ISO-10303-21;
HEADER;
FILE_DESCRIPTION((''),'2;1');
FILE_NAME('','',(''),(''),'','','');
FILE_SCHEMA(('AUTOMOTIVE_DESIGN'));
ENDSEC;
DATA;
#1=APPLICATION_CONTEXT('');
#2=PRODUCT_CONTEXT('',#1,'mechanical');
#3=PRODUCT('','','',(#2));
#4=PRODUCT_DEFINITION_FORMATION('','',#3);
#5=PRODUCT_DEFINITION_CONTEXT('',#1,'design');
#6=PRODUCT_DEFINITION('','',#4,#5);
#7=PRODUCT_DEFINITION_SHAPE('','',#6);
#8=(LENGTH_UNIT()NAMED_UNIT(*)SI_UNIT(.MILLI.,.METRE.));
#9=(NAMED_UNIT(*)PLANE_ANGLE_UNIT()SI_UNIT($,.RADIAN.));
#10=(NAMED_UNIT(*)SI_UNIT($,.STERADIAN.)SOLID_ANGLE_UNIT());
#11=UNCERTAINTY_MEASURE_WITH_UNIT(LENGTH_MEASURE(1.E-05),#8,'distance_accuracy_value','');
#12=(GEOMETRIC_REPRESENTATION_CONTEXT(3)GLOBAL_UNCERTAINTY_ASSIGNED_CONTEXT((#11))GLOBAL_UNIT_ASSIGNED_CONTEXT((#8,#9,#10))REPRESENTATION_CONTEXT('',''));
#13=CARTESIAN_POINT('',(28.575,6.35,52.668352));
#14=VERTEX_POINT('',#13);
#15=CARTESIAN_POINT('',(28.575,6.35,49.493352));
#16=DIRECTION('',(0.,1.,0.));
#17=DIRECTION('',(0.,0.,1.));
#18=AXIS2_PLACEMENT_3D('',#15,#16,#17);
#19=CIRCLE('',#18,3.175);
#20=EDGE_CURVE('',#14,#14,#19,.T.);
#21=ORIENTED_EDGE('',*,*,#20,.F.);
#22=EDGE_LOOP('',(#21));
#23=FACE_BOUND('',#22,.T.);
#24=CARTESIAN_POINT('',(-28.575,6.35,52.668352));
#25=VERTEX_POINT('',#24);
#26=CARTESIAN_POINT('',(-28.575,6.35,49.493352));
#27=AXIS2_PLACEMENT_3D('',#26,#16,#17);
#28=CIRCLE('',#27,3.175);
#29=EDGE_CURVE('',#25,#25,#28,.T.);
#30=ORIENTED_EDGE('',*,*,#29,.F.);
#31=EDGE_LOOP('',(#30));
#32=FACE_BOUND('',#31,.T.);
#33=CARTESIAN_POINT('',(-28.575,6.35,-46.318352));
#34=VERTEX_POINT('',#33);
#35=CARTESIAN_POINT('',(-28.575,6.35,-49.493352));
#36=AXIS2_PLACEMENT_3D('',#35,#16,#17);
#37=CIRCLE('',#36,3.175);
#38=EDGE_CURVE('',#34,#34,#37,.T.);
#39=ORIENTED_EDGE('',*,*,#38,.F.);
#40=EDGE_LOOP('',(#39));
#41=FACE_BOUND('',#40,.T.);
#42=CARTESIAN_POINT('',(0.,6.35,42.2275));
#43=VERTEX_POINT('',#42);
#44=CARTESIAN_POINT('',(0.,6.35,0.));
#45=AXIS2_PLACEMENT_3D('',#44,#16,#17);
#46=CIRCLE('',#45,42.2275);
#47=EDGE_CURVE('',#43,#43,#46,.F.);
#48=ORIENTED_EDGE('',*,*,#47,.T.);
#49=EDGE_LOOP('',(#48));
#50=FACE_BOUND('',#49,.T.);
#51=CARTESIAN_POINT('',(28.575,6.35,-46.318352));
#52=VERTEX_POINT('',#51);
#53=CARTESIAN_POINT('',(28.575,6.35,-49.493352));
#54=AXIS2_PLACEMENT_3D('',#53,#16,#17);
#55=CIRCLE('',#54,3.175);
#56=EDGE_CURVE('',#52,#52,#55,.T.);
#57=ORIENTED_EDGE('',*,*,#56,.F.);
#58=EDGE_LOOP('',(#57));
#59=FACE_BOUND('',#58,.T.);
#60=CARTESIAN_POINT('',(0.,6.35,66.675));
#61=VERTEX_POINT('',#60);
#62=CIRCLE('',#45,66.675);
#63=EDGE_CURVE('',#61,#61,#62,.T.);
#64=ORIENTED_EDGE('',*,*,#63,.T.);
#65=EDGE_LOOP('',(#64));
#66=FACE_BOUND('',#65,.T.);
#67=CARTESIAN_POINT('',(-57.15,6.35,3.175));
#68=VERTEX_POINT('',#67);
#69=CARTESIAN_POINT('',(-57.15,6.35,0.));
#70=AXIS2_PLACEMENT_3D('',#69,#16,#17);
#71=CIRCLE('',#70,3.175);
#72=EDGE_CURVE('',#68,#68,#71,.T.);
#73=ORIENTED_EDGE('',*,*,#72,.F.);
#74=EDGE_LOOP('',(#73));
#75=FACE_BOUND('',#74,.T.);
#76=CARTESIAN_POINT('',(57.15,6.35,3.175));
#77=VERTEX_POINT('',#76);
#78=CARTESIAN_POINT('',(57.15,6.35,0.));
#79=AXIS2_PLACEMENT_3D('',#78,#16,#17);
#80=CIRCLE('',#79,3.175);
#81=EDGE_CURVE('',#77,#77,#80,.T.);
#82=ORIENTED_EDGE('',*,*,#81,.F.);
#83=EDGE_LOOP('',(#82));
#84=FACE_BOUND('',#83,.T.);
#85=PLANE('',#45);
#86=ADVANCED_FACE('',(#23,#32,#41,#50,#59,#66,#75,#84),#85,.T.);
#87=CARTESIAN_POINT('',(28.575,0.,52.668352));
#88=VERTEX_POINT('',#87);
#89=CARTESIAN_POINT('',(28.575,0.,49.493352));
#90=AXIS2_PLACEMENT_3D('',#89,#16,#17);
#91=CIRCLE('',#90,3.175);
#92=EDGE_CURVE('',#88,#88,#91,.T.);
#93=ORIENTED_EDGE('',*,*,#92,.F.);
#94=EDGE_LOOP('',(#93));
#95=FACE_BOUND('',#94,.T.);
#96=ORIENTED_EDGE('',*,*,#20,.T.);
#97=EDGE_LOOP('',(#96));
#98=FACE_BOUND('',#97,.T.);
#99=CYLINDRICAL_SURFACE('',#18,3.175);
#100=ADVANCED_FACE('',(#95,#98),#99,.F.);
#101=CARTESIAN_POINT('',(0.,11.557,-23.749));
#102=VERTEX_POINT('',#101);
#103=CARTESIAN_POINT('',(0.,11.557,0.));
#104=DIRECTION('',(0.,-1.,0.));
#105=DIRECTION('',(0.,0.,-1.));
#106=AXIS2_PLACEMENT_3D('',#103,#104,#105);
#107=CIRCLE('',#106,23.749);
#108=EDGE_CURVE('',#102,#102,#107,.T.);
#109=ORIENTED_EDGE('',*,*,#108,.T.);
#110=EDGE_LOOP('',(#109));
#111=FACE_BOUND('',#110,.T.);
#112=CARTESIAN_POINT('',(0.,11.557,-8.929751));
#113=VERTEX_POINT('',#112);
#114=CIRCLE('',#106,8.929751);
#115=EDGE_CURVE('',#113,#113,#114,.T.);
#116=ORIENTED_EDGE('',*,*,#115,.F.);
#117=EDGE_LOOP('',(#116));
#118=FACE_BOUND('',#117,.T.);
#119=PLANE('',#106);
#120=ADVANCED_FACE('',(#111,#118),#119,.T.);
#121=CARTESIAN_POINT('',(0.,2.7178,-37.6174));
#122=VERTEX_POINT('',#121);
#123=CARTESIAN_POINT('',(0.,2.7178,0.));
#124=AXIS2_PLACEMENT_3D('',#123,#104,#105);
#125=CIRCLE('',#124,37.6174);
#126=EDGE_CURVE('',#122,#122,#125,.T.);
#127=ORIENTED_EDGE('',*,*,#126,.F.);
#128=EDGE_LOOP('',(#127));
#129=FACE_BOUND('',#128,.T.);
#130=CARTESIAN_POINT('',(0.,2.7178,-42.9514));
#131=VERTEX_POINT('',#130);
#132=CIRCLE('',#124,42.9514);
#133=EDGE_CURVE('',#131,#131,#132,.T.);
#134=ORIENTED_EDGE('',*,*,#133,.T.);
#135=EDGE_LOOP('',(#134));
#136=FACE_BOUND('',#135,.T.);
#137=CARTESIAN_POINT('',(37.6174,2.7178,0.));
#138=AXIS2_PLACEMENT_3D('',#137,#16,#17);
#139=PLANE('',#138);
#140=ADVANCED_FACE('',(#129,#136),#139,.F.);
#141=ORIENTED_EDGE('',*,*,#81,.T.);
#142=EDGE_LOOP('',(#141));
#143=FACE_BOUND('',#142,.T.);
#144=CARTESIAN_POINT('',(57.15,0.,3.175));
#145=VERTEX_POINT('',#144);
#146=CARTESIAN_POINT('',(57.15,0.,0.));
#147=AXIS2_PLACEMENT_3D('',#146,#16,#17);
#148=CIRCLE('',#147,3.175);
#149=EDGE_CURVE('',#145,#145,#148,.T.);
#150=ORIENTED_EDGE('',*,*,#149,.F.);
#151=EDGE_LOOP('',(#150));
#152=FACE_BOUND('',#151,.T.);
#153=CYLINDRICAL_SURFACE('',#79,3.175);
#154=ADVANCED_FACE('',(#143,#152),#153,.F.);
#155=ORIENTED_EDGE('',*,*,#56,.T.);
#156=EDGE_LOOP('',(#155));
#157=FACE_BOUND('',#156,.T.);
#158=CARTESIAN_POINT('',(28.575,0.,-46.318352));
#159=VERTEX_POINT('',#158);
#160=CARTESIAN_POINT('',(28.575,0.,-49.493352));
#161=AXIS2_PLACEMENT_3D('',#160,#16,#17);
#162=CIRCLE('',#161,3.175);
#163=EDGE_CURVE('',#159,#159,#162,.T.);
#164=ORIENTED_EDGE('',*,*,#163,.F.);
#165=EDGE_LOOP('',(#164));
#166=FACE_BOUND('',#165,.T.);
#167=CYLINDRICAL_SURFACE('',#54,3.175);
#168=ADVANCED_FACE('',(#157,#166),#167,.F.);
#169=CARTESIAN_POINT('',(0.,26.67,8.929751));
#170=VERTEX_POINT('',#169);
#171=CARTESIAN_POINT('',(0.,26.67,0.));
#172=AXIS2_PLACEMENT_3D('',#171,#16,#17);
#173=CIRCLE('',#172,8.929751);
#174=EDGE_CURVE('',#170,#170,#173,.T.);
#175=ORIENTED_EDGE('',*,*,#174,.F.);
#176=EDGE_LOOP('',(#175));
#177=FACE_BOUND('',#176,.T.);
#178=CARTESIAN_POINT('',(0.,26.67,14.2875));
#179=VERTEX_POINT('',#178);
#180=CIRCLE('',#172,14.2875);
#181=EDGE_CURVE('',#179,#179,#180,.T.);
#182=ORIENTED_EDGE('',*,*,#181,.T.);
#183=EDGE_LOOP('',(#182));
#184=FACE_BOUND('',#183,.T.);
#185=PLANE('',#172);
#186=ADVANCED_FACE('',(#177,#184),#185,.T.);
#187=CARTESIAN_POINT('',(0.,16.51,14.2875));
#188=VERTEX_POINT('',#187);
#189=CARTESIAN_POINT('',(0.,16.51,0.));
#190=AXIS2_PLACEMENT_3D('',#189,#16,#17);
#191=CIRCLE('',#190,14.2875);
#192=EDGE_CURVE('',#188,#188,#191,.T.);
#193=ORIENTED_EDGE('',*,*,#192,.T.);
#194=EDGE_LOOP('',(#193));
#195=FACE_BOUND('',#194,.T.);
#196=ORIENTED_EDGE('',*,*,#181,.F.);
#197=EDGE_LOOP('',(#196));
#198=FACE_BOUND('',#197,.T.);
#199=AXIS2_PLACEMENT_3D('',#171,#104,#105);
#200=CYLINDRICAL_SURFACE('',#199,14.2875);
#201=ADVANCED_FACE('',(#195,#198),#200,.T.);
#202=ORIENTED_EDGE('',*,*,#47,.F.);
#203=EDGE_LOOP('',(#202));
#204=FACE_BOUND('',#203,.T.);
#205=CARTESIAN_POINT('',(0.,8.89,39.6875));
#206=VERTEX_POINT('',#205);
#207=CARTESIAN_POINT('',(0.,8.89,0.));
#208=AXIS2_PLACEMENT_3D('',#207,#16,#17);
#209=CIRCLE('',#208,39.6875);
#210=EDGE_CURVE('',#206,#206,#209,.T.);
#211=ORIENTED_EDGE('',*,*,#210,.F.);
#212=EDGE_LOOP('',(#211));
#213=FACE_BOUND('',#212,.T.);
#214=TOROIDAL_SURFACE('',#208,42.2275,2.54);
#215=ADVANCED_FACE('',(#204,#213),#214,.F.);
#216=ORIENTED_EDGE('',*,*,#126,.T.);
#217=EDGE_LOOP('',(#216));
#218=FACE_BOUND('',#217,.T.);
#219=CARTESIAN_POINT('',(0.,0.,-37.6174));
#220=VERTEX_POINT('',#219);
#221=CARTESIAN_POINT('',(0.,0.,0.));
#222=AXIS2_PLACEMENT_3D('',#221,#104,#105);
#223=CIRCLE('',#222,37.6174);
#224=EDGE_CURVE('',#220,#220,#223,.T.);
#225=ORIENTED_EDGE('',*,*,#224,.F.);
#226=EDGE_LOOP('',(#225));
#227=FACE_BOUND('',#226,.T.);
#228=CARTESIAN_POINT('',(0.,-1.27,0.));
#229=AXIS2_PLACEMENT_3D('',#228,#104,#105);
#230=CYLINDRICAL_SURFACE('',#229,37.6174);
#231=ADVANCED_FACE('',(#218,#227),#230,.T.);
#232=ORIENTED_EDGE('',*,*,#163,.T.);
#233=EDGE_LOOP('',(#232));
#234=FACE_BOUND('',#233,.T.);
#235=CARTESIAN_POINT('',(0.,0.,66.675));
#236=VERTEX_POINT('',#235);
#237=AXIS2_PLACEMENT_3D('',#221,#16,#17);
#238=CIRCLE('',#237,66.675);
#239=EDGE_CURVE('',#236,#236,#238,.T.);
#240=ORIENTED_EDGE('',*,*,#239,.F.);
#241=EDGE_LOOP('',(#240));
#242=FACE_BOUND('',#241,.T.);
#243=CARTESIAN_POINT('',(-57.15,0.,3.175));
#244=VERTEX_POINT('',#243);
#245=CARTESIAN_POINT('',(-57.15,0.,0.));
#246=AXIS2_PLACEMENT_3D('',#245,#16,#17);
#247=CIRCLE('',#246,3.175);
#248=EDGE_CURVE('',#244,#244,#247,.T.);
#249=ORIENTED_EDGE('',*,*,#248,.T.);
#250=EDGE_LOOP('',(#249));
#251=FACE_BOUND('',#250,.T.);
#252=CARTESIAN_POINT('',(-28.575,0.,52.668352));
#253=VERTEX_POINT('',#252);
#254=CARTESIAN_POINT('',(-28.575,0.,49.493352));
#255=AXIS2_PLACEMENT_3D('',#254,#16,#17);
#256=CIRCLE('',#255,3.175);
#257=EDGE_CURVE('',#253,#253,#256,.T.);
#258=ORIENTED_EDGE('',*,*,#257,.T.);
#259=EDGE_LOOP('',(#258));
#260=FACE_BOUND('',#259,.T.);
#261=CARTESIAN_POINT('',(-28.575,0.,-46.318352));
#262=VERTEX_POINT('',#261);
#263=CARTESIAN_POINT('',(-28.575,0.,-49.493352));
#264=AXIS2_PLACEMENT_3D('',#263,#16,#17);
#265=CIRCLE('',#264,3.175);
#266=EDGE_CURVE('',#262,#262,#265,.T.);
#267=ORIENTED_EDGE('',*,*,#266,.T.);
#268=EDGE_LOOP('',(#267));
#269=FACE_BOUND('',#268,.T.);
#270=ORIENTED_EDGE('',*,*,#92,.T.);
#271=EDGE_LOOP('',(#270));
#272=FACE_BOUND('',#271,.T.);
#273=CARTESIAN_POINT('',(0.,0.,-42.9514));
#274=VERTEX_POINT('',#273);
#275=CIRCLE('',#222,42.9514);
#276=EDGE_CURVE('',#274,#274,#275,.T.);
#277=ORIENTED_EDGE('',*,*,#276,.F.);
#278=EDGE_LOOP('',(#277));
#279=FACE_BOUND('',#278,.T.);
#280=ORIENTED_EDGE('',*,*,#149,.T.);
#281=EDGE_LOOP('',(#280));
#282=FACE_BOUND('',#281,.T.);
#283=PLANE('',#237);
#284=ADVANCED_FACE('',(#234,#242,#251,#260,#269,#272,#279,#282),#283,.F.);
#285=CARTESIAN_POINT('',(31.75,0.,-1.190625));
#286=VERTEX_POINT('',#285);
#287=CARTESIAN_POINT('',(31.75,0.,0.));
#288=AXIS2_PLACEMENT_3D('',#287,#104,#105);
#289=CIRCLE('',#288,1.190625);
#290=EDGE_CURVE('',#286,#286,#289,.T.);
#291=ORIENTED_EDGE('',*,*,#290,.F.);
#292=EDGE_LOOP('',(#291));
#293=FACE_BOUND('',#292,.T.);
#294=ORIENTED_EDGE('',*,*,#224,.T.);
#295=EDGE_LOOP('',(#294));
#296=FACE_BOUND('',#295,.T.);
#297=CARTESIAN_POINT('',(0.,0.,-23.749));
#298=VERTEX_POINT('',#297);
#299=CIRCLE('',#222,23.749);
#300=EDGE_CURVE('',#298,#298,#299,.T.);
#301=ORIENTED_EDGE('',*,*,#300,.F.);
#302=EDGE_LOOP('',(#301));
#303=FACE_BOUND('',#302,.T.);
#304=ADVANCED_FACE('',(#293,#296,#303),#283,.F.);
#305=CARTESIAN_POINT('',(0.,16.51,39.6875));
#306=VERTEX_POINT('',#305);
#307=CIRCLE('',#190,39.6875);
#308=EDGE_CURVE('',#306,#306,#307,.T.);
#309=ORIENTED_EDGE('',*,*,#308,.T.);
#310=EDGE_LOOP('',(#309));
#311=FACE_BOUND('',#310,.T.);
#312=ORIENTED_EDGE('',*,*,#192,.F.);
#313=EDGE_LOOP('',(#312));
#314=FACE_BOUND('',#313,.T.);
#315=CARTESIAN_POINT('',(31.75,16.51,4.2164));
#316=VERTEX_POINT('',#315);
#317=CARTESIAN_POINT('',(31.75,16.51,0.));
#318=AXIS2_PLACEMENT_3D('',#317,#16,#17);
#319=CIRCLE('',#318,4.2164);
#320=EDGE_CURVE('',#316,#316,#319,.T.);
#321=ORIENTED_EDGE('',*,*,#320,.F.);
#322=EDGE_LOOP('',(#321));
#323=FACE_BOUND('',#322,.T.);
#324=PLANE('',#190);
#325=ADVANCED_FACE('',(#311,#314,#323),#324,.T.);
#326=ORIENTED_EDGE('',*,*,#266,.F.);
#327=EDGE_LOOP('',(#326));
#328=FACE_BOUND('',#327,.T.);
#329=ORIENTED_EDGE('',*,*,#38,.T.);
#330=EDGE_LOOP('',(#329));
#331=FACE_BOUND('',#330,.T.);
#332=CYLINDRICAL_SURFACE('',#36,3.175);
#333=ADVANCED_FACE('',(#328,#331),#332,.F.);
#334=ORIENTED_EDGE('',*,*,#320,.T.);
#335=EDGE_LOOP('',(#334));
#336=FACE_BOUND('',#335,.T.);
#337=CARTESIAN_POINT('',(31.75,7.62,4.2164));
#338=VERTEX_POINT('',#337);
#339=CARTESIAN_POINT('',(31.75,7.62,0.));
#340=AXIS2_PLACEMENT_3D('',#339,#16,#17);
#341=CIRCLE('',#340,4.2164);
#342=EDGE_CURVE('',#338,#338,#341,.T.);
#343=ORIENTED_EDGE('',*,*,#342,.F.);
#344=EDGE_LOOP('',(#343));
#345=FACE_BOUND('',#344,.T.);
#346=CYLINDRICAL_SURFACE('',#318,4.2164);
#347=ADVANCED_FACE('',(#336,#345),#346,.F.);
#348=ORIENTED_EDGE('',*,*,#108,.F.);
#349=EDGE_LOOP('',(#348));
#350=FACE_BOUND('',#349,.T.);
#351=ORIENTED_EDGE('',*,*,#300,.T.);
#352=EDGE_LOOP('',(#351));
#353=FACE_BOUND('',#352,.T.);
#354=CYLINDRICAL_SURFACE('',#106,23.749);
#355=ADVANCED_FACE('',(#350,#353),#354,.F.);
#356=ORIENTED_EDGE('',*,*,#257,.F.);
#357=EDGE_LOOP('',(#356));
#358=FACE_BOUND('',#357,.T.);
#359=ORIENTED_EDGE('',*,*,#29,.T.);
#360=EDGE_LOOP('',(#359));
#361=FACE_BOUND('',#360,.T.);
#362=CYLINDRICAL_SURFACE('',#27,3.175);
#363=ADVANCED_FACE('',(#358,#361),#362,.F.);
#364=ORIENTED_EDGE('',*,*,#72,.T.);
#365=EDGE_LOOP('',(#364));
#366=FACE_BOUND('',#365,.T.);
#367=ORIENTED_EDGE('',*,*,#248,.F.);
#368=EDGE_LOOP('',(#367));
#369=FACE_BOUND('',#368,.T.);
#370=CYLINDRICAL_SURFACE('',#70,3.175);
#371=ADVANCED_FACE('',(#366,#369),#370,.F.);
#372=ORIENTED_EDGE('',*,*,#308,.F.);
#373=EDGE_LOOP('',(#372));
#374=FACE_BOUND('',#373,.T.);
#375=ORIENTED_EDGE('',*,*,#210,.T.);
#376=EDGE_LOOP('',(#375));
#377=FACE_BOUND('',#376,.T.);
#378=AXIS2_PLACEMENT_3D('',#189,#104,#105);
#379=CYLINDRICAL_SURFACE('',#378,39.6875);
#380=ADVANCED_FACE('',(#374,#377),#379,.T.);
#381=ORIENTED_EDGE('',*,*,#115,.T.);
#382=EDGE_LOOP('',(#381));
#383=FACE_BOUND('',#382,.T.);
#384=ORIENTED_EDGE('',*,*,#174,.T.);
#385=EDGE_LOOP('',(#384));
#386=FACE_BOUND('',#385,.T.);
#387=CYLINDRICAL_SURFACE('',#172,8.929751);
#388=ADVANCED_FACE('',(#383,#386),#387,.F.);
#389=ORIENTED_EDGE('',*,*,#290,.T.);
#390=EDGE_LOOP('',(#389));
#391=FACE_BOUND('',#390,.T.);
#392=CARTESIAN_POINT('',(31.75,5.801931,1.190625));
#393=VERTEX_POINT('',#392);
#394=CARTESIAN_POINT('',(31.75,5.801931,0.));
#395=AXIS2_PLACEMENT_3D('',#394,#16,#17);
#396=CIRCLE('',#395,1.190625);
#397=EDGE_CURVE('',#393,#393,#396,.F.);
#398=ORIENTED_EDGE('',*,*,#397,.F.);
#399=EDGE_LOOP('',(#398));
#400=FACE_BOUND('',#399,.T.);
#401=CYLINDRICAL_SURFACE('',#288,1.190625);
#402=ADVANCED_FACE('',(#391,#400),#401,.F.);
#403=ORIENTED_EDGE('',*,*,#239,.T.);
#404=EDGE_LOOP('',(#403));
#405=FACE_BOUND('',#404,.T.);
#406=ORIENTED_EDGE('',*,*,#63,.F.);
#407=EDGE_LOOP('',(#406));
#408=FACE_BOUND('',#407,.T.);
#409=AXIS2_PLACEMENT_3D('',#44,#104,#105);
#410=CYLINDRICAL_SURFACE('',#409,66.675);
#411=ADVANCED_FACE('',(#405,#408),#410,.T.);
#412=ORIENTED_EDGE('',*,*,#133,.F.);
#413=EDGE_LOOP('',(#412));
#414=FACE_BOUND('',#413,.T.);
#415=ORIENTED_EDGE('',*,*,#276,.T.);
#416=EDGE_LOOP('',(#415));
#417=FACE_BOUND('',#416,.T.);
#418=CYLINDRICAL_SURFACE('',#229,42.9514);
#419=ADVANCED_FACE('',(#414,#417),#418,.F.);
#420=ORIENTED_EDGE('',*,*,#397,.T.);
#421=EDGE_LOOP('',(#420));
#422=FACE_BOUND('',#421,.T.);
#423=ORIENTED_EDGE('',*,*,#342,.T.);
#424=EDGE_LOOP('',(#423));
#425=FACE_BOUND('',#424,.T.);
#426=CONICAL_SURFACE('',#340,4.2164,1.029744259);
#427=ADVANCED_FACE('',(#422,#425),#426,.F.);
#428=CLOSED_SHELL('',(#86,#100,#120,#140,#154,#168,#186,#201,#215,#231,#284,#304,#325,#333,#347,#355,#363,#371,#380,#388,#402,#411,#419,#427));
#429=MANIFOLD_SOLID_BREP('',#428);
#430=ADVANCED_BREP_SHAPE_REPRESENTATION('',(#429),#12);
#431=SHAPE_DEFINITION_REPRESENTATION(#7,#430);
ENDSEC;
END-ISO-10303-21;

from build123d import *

# Parameters (mm, degrees)
SKETCH1_R                            = 66.675
BOSS_EXTRUDE1_DEPTH                  = 6.35
SKETCH2_R                            = 39.6875
BOSS_EXTRUDE2_DEPTH                  = 10.16
FILLET1_R                            = 2.54
SKETCH5_R                            = 23.749
CUT_EXTRUDE1_DEPTH                   = 11.557
F_1_4_0_25_DIAMETER_HOLE1_D          = 6.35
F_1_4_0_25_DIAMETER_HOLE1_DEPTH      = 6.351
CIRPATTERN1_COUNT                    = 6
SKETCH8_W                            = 5.334
SKETCH8_H                            = 2.7178
Q_0_332_DIAMETER_HOLE1_D             = 8.4328
Q_0_332_DIAMETER_HOLE1_DEPTH         = 8.89
Q_0_332_DIAMETER_HOLE1_TIP           = 2.533468714
F_3_32_0_09375_DIAMETER_HOLE1_D      = 2.38125
SKETCH16_R                           = 14.2875
BOSS_EXTRUDE3_DEPTH                  = 10.16
F_45_64_0_70313_DIAMETER_HOLE1_D     = 17.859502
F_45_64_0_70313_DIAMETER_HOLE1_DEPTH = 15.113


with BuildPart() as part:
    # Sketch1 → Boss-Extrude1 (new body)
    with BuildSketch(Plane(origin=(0, 0, 0), x_dir=(1, 0, 0), z_dir=(0, 1, 0))):
        Circle(SKETCH1_R)
    extrude(amount=BOSS_EXTRUDE1_DEPTH)

    # Sketch2 → Boss-Extrude2 (add)
    with BuildSketch(Plane(origin=(0, 6.35, 0), x_dir=(1, 0, 0), z_dir=(0, 1, 0))):
        Circle(SKETCH2_R)
    extrude(amount=BOSS_EXTRUDE2_DEPTH)

    # Fillet1
    fillet1_edges = [part.edges().sort_by_distance(p)[0] for p in [
        (-39.6875, 6.35, 0),
    ]]
    fillet(fillet1_edges, radius=FILLET1_R)

    # Sketch5 → Cut-Extrude1 (cut)
    with BuildSketch(Plane.XZ):
        Circle(SKETCH5_R)
    extrude(amount=-CUT_EXTRUDE1_DEPTH, mode=Mode.SUBTRACT)

    # 1/4 (0.25) Diameter Hole1
    with Locations(Plane(origin=(0, 6.35, 0), x_dir=(1, 0, 0), z_dir=(0, 1, 0))):
        with Locations((-57.15, 0)):
            f_1_4_0_25_diameter_hole1 = Hole(F_1_4_0_25_DIAMETER_HOLE1_D / 2, depth=F_1_4_0_25_DIAMETER_HOLE1_DEPTH)

    # CirPattern1: 1/4 (0.25) Diameter Hole1 ×6 about axis
    cirpattern1_axis = Axis((0, 0, 0), (0, 1, 0))
    for i in range(1, CIRPATTERN1_COUNT):
        add(f_1_4_0_25_diameter_hole1.rotate(cirpattern1_axis, i * 360 / CIRPATTERN1_COUNT), mode=Mode.SUBTRACT)

    # Sketch8 → Cut-Revolve1 (revolve, cut)
    with BuildSketch(Plane.XY):
        with Locations((40.2844, 1.3589)):
            Rectangle(SKETCH8_W, SKETCH8_H)
    revolve(axis=Axis((0, -1.27, 0), (0, 1, 0)), mode=Mode.SUBTRACT)

    # Q (0.332) Diameter Hole1
    with Locations(Plane(origin=(0, 16.51, 0), x_dir=(1, 0, 0), z_dir=(0, 1, 0))):
        with Locations((31.75, 0)):
            Hole(Q_0_332_DIAMETER_HOLE1_D / 2, depth=Q_0_332_DIAMETER_HOLE1_DEPTH)
            with Locations((0, 0, -(Q_0_332_DIAMETER_HOLE1_DEPTH + Q_0_332_DIAMETER_HOLE1_TIP / 2))):  # 118° drill point
                Cone(0, Q_0_332_DIAMETER_HOLE1_D / 2, Q_0_332_DIAMETER_HOLE1_TIP, mode=Mode.SUBTRACT)

    # 3/32 (0.09375) Diameter Hole1 (through all)
    with Locations(Plane(origin=(0, 0, 0), x_dir=(-1, 0, 0), z_dir=(0, -1, 0))):
        with Locations((-31.75, 0)):
            Hole(F_3_32_0_09375_DIAMETER_HOLE1_D / 2)

    # Sketch16 → Boss-Extrude3 (add)
    with BuildSketch(Plane(origin=(0, 16.51, 0), x_dir=(1, 0, 0), z_dir=(0, 1, 0))):
        Circle(SKETCH16_R)
    extrude(amount=BOSS_EXTRUDE3_DEPTH)

    # 45/64 (0.70313) Diameter Hole1
    with Locations(Plane(origin=(0, 26.67, 0), x_dir=(1, 0, 0), z_dir=(0, 1, 0))):
        with Locations((0, 0)):
            Hole(F_45_64_0_70313_DIAMETER_HOLE1_D / 2, depth=F_45_64_0_70313_DIAMETER_HOLE1_DEPTH)


solid = part.part
